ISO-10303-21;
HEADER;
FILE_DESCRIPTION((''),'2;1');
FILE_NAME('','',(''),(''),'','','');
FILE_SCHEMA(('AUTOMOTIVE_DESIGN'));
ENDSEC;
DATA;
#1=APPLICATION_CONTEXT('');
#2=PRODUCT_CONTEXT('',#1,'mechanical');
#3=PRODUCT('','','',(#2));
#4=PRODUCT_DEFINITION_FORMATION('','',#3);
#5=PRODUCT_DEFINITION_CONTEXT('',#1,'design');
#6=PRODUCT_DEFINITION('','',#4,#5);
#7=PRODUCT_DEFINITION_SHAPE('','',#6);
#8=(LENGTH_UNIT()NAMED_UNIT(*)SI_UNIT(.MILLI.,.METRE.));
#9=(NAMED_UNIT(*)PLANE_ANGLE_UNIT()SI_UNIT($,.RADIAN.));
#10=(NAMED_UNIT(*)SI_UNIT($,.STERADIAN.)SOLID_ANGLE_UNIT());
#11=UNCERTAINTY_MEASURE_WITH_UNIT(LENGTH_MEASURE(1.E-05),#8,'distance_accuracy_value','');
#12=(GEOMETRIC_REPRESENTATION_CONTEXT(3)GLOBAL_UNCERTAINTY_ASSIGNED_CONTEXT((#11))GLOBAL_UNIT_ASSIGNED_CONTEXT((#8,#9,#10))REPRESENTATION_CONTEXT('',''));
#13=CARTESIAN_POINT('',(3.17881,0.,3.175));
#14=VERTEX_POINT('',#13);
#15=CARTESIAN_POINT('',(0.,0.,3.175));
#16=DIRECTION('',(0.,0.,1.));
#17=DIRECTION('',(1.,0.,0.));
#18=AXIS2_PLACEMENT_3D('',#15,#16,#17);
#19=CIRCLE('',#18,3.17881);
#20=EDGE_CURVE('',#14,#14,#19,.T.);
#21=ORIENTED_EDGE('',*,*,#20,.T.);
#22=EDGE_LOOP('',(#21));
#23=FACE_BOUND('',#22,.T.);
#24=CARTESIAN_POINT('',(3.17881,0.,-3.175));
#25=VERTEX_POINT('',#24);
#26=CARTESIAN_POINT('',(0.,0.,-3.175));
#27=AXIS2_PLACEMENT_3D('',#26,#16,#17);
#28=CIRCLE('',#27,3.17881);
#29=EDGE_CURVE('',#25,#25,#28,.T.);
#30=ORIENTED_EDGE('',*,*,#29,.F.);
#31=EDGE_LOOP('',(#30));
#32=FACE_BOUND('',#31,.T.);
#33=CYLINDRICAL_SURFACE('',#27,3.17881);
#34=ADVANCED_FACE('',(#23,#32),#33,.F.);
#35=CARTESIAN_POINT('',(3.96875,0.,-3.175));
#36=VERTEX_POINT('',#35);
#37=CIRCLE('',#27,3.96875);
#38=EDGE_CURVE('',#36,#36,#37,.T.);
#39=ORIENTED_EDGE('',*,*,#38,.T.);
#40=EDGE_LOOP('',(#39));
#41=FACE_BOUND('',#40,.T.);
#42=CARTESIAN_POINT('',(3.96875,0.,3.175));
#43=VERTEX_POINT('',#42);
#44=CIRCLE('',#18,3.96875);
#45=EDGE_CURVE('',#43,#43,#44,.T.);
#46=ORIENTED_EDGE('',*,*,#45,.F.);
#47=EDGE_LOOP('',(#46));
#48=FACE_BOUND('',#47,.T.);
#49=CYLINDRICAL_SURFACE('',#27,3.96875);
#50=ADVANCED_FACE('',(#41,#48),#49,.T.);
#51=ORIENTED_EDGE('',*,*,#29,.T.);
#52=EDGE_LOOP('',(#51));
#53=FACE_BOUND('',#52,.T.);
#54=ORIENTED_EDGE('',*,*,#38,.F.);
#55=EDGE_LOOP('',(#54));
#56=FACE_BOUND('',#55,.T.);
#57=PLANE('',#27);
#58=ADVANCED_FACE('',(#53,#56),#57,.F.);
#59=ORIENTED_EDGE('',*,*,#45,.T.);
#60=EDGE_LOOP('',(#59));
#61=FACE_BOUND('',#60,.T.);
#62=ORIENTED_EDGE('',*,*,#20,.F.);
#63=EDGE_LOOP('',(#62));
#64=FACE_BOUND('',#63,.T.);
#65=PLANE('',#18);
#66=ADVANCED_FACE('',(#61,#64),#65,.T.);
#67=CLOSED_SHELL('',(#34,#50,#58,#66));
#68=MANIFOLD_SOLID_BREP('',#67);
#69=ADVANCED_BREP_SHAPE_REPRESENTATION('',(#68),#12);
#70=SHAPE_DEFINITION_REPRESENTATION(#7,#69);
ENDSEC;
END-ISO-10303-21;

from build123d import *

# Parameters (mm, degrees)
SKETCH3_R                = 3.96875
SKETCH3_R_2              = 3.17881
BOSS_EXTRUDE1_DEPTH      = 3.175
BOSS_EXTRUDE1_DEPTH_BACK = 3.175


with BuildPart() as part:
    # Sketch3 → Boss-Extrude1 (new body, two sides)
    with BuildSketch(Plane.XY) as boss_extrude1_sk:
        Circle(SKETCH3_R)
        Circle(SKETCH3_R_2, mode=Mode.SUBTRACT)
    extrude(amount=BOSS_EXTRUDE1_DEPTH)
    extrude(boss_extrude1_sk.sketch, amount=-BOSS_EXTRUDE1_DEPTH_BACK)


solid = part.part
